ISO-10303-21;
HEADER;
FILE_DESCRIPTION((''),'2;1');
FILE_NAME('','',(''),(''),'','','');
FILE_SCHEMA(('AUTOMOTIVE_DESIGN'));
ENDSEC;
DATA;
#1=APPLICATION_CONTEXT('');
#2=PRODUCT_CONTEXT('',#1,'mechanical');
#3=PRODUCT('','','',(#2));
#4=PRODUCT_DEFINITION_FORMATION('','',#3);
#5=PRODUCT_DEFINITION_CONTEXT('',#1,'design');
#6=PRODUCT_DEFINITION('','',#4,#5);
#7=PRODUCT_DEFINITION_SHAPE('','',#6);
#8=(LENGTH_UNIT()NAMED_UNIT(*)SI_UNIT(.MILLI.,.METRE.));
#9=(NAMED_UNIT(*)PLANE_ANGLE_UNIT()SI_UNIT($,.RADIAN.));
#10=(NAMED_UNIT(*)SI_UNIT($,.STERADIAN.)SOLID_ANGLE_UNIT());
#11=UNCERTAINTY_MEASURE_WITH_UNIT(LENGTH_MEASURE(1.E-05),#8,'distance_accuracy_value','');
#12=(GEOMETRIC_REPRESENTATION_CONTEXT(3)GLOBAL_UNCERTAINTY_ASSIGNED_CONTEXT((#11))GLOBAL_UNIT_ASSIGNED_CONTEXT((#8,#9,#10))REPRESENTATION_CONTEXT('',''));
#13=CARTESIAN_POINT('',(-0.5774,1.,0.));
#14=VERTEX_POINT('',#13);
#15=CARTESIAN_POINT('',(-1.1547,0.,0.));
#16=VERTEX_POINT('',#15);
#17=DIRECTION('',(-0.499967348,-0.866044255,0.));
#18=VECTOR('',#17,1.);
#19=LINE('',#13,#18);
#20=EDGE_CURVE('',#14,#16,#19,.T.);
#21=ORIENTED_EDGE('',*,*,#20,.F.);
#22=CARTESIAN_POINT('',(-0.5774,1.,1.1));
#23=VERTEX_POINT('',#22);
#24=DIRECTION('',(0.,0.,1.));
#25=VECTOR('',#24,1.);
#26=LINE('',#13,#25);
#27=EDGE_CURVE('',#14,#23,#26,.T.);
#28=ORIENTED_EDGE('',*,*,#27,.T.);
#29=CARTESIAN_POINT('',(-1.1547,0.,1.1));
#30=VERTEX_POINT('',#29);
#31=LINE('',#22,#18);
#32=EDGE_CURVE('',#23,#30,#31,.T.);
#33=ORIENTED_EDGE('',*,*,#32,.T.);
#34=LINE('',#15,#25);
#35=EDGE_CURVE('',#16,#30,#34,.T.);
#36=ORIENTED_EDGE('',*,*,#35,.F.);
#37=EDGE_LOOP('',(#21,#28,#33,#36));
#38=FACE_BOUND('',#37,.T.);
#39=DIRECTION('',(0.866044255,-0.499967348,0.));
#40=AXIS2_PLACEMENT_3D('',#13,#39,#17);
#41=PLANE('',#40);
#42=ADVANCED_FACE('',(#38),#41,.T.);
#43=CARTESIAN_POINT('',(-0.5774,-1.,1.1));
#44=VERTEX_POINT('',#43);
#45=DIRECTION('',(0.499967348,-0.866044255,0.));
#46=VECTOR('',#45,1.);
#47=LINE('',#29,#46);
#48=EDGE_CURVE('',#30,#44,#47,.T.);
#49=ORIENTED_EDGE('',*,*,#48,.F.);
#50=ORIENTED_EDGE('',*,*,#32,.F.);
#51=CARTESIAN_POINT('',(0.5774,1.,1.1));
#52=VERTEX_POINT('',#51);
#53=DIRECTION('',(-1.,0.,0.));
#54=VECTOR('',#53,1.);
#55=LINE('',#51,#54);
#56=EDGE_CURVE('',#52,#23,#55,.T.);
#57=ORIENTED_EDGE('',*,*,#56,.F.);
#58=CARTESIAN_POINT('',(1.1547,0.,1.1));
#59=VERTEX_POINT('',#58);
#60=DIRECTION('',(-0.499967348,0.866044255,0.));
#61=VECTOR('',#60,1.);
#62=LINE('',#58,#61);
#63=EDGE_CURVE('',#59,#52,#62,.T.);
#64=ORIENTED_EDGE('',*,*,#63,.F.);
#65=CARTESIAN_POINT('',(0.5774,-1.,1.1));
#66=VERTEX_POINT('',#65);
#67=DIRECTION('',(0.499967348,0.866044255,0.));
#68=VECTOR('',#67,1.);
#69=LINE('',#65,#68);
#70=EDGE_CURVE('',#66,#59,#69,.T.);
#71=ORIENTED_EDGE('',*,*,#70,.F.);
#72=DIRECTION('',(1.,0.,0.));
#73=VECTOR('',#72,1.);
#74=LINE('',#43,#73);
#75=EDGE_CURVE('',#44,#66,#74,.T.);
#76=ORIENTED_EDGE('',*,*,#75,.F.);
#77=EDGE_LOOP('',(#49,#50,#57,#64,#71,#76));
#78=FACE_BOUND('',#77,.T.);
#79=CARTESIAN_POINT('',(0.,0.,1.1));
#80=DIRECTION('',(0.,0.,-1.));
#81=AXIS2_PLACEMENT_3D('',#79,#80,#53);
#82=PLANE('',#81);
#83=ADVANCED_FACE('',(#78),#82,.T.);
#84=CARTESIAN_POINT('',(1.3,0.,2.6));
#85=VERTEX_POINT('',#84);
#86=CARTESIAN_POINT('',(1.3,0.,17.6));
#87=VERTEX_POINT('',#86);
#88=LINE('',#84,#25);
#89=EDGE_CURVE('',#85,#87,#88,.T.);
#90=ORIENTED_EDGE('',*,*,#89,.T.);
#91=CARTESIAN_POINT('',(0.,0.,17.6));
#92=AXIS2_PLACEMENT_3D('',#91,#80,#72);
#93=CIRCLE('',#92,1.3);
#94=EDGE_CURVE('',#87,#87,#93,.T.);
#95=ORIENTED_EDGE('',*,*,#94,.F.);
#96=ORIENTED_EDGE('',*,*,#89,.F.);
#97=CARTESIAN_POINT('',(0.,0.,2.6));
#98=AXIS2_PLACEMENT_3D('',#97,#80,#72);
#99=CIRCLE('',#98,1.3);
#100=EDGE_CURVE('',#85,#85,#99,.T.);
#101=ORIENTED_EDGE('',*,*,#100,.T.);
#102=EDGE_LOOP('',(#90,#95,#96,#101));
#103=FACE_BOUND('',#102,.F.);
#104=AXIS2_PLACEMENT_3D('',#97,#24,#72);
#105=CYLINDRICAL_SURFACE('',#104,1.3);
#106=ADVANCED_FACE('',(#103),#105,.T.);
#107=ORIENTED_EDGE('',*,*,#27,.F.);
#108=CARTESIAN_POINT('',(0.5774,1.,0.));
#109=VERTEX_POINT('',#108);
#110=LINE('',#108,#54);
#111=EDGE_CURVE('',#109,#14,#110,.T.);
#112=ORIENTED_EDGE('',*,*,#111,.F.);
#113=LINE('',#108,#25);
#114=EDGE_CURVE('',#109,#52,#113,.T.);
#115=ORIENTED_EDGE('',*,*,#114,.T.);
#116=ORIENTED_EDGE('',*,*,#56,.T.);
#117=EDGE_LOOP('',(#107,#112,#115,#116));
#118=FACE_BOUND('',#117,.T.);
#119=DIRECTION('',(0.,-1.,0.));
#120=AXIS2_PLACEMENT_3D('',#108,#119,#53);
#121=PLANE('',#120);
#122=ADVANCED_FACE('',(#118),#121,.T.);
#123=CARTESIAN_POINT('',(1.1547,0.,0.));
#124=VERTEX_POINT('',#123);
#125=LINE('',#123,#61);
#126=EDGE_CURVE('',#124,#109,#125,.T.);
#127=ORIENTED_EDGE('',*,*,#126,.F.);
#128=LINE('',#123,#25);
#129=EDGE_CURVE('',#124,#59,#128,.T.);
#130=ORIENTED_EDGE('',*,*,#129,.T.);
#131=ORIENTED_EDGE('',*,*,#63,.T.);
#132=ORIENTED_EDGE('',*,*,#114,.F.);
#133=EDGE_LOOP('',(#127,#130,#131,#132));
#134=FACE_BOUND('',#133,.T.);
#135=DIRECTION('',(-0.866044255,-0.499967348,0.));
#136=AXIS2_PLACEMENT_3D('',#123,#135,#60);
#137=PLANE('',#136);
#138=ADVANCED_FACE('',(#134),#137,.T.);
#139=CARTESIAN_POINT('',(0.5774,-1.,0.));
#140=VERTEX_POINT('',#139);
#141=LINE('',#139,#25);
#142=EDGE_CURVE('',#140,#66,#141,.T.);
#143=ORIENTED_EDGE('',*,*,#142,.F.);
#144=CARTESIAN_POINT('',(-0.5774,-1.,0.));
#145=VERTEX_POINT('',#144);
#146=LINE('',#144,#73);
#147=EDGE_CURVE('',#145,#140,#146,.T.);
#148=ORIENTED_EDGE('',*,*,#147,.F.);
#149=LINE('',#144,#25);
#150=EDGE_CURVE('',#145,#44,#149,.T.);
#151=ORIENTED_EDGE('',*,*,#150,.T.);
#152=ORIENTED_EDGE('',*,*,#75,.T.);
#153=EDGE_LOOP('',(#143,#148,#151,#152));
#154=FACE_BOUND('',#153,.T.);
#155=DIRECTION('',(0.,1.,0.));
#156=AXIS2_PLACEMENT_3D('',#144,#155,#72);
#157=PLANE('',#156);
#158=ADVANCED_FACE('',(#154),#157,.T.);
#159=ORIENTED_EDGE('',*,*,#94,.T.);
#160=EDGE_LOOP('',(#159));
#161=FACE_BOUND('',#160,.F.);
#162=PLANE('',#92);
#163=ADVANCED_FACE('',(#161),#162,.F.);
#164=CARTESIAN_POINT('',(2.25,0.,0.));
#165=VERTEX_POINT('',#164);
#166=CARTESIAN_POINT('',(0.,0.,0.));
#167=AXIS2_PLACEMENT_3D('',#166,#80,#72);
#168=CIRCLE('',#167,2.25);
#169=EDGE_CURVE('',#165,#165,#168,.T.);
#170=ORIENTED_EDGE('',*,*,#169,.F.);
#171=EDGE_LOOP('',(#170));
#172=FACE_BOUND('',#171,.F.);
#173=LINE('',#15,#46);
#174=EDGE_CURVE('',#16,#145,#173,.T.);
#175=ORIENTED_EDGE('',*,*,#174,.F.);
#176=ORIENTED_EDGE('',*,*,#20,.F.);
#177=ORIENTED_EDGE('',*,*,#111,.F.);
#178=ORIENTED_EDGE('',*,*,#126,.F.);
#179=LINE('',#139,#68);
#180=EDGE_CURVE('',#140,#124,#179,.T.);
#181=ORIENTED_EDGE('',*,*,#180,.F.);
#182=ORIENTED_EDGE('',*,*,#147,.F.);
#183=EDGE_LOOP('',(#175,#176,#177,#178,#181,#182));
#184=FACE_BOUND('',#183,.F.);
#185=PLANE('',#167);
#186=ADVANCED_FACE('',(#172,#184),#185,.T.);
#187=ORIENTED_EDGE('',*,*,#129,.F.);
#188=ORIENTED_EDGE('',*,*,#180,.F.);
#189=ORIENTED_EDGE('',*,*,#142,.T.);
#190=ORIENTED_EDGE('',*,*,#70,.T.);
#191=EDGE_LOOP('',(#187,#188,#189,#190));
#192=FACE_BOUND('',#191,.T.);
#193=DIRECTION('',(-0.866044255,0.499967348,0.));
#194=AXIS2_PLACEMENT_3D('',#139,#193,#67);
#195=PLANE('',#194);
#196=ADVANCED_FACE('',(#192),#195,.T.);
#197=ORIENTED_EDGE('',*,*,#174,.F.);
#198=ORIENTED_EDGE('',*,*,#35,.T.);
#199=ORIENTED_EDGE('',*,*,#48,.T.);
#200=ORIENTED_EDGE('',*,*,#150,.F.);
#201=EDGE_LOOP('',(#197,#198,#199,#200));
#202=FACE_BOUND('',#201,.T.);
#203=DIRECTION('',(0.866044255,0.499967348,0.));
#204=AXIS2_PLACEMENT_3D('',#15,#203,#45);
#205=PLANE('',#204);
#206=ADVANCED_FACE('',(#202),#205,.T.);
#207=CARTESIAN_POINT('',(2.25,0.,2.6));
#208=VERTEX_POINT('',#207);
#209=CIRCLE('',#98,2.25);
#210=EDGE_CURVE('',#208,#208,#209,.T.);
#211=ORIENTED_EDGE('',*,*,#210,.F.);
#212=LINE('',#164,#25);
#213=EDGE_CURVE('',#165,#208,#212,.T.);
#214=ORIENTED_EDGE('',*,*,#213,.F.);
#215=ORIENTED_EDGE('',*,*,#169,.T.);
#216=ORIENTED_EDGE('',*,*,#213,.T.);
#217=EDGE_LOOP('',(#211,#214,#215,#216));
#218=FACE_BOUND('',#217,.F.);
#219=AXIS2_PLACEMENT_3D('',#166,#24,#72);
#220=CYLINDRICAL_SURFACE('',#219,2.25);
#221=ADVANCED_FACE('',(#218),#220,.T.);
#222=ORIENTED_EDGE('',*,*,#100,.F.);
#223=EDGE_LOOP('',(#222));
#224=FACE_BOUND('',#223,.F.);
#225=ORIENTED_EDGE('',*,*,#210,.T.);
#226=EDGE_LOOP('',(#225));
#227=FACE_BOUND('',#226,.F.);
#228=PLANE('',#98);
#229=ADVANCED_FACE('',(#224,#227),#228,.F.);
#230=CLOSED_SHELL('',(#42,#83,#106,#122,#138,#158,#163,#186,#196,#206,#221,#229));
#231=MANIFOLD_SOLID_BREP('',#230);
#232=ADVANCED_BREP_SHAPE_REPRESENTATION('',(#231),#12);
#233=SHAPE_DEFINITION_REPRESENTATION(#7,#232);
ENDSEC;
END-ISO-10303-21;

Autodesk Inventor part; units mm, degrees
ref_plane "YZ Plane" through (0, 0, 0) normal (1, 0, 0) x (0, 1, 0)
ref_plane "XZ Plane" through (0, 0, 0) normal (0, 1, 0) x (-1, 0, 0)
ref_plane "XY Plane" through (0, 0, 0) normal (0, 0, 1) x (1, 0, 0)
sketch "Sketch1" plane through (0, 0, 0) normal (0, 1, 0) x (-1, 0, 0)
  line L0 (0, 0) -> (-2.25, 0)
  line L1 (-2.25, 0) -> (-2.25, 2.6)
  line L2 (-2.25, 2.6) -> (-1.3, 2.6)
  line L3 (-1.3, 2.6) -> (-1.3, 17.6)
  line L4 (-1.3, 17.6) -> (0, 17.6)
  line L5 (0, 17.6) -> (0, 0)
  dimension "ScrewLength" = 15
  dimension "Diameter" = 4.5
  dimension "Metric" = 2.6
  dimension "HeadLength" = 2.6
revolve "Revolution1" add sketch "Sketch1" angle 360 about axis through (0, 0, 17.6) along (0, 0, -1)
thread "Thread1" size "M2.6x0.45" class "6g" standard "ANSI Metric M Profile" full length
sketch "Sketch2" plane through (0, 0, 0) normal (0, 0, -1) x (-1, 0, 0)
  line L0 (0.5774, 1) -> (1.1547, 0)
  line L1 (1.1547, 0) -> (0.5774, -1)
  line L2 (0.5774, -1) -> (-0.5774, -1)
  line L3 (-0.5774, -1) -> (-1.1547, 0)
  line L4 (-1.1547, 0) -> (-0.5774, 1)
  line L5 (-0.5774, 1) -> (0.5774, 1)
  point P0 (0, 0)
  point P1 (0, 0)
  dimension "WidthAcrossFlat" = 2
extrude "Extrusion1" cut sketch "Sketch2" against normal blind 1.1
properties part number "FC-2615EB" material "Steel"
